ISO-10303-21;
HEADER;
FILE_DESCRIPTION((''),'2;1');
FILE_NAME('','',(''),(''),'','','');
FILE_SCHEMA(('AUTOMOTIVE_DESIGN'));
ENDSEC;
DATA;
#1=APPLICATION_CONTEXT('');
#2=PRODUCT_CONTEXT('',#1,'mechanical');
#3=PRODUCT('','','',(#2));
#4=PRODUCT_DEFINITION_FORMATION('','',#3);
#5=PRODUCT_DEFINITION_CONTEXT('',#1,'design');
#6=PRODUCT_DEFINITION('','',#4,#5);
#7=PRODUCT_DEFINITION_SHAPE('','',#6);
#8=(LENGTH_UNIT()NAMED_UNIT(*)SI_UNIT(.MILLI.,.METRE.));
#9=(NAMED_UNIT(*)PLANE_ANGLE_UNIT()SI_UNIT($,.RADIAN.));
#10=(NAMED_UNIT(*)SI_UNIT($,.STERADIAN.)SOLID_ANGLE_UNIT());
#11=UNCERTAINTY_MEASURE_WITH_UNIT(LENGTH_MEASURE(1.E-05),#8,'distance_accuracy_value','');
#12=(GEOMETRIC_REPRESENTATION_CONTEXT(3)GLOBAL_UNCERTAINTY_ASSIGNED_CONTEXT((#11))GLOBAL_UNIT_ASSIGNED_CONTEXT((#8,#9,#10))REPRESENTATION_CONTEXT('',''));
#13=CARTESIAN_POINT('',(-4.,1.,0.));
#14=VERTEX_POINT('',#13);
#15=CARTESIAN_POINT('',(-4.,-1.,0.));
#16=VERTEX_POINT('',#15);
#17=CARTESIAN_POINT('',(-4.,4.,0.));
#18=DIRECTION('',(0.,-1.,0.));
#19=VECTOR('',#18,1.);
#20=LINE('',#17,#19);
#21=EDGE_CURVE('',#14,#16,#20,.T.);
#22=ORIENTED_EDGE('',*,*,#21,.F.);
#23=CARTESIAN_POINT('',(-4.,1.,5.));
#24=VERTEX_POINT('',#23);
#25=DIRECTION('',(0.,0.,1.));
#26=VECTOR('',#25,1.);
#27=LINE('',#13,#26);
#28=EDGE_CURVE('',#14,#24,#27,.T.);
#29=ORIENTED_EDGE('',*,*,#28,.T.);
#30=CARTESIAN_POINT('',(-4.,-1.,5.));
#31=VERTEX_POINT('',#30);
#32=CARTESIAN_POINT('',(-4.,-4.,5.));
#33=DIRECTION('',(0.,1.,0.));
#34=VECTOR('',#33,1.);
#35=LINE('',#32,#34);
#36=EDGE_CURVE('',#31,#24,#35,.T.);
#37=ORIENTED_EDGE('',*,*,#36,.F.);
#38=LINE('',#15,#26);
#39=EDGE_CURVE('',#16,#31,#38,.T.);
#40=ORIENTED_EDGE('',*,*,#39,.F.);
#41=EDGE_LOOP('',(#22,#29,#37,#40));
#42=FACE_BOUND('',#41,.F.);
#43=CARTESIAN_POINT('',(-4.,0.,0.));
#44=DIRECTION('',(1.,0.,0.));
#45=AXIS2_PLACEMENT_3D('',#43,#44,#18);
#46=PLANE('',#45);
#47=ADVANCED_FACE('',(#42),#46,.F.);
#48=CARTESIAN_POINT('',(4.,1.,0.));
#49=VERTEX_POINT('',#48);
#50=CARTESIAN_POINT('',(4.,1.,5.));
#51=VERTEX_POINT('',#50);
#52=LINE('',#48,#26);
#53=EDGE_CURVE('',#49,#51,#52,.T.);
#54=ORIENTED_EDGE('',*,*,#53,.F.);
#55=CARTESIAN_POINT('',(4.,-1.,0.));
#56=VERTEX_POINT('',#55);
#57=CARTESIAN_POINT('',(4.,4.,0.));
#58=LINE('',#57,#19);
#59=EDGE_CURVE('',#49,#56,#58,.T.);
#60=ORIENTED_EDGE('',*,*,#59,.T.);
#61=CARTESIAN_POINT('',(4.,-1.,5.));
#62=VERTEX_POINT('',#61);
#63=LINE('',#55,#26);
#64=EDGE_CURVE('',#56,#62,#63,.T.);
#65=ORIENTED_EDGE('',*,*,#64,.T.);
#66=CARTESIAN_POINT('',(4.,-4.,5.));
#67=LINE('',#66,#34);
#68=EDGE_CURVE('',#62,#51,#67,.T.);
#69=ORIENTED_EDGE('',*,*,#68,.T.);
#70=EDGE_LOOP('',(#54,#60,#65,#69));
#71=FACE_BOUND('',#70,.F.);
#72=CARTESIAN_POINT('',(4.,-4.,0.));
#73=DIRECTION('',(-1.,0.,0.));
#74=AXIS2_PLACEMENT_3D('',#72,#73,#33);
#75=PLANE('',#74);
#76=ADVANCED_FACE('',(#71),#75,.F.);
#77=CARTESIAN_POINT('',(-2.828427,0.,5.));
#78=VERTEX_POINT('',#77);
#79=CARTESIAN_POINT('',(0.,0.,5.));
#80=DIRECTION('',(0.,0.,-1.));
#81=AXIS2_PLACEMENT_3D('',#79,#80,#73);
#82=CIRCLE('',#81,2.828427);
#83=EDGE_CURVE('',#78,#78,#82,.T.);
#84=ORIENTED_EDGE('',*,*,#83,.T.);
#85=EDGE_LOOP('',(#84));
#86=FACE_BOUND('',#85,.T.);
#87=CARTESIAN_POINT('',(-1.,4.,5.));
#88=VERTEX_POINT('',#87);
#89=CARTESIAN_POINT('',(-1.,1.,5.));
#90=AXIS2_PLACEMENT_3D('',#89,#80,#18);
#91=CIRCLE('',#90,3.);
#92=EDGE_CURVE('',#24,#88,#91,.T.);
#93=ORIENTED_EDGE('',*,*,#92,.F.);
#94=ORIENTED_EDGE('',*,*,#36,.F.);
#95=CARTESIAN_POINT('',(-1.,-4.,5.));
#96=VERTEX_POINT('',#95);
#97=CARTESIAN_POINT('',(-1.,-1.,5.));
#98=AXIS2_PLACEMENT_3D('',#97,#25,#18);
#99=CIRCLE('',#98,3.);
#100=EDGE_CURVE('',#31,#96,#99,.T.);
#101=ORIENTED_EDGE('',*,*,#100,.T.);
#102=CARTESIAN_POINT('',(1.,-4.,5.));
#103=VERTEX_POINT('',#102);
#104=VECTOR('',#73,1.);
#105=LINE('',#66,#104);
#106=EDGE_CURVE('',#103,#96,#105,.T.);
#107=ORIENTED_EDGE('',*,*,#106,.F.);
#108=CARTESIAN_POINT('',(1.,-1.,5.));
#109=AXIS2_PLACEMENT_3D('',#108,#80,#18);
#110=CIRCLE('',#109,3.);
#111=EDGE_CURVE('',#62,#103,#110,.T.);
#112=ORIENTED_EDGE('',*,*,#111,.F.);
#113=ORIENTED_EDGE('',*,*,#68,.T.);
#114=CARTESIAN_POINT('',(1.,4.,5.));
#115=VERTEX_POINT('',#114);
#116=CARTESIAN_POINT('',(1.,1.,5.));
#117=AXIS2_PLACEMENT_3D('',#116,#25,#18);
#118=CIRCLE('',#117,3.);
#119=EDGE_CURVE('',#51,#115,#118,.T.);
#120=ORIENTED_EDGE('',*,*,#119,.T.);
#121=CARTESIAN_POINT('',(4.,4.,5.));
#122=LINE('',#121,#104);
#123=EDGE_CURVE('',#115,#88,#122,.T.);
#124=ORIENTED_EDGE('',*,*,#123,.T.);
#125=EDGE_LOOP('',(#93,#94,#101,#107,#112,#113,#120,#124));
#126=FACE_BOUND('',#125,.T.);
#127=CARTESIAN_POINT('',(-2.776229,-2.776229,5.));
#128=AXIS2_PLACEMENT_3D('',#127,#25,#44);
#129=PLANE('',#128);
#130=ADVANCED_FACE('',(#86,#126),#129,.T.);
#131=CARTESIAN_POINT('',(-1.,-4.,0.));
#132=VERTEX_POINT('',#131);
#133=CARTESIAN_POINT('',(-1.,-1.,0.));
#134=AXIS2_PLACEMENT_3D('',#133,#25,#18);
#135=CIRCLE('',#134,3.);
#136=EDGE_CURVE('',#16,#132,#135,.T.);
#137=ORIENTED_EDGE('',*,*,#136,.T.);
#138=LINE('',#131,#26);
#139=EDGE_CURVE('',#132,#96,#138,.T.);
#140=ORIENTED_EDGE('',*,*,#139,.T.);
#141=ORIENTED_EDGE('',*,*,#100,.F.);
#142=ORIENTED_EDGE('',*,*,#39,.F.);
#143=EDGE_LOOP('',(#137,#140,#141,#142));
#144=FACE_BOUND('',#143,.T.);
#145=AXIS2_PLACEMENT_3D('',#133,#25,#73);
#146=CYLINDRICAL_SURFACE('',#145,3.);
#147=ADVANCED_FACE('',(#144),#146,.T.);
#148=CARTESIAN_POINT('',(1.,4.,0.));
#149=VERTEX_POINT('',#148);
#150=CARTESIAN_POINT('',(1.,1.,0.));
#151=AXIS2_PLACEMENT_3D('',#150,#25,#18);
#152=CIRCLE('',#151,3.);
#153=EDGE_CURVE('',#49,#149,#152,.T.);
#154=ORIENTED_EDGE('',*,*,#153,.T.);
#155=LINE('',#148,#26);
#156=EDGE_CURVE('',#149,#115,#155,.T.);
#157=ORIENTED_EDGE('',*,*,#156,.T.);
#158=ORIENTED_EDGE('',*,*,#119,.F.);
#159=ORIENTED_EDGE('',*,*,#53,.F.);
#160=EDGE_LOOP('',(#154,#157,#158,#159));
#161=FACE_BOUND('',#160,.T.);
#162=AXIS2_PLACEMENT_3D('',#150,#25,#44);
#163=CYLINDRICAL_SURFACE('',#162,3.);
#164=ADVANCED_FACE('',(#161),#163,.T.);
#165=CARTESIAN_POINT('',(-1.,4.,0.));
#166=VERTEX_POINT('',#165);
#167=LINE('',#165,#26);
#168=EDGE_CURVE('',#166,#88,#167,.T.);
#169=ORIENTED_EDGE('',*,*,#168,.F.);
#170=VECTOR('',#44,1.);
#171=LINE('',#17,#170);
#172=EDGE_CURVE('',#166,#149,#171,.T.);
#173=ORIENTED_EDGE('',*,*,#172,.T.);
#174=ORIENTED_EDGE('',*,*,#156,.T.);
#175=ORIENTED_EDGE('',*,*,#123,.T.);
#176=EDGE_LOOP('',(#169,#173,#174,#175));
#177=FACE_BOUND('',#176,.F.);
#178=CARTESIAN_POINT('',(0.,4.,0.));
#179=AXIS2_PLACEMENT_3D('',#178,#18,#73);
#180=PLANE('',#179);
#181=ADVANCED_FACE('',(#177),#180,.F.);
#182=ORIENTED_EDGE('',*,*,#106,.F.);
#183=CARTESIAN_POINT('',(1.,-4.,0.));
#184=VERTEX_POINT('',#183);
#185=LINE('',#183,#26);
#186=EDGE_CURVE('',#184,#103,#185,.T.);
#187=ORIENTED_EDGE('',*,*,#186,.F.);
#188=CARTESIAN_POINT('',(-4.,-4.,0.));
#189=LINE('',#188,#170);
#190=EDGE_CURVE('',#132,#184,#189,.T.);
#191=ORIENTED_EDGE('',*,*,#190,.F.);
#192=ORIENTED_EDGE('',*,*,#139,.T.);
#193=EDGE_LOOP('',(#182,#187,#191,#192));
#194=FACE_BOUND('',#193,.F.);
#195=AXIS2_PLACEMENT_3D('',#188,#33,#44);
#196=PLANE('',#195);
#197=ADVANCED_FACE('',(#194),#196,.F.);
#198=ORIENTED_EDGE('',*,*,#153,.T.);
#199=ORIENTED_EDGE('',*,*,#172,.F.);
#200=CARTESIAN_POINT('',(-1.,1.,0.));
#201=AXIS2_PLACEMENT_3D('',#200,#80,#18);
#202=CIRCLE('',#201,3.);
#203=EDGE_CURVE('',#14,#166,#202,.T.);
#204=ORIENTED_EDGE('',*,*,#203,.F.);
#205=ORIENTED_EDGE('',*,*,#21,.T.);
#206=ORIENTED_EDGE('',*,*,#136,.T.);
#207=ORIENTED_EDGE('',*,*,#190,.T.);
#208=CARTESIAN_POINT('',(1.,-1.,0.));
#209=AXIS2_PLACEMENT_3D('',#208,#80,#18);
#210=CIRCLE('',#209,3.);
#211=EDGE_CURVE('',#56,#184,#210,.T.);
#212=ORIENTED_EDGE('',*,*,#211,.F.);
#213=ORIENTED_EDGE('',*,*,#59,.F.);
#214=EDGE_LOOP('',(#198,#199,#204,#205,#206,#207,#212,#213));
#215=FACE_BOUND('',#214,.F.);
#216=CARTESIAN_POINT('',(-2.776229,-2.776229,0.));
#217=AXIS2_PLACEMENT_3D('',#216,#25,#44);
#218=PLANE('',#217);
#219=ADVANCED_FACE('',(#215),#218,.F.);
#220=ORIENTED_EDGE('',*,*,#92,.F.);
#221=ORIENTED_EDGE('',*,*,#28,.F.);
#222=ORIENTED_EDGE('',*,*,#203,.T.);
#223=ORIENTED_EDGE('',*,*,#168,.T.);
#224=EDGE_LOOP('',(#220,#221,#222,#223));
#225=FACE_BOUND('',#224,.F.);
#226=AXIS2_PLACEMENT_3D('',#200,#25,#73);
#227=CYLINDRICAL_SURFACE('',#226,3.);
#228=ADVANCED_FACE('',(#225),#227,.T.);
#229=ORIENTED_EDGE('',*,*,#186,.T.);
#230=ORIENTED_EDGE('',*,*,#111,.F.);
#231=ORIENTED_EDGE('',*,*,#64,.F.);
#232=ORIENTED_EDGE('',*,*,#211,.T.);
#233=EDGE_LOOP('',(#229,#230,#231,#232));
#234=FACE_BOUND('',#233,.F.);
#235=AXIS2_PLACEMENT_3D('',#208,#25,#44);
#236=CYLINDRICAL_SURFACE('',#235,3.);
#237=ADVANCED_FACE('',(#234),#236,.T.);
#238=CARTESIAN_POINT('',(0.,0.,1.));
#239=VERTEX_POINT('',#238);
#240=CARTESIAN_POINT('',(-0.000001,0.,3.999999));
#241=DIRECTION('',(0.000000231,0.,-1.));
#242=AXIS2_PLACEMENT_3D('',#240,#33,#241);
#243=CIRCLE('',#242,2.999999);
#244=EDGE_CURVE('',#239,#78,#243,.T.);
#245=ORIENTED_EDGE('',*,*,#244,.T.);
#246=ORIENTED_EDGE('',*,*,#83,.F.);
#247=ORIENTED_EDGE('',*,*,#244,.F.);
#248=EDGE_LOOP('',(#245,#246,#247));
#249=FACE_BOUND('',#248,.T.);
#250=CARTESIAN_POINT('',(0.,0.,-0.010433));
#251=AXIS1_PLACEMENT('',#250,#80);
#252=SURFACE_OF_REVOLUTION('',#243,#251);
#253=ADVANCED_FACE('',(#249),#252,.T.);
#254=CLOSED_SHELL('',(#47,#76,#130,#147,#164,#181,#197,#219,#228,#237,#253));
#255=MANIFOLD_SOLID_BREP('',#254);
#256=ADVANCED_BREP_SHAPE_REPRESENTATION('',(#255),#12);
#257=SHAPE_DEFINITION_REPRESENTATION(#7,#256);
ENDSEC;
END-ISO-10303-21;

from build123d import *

# Parameters (mm, degrees)
F4_DEPTH = 5
F5_R     = 3


with BuildPart() as f2:
    # F1 (on Front) → F2 (revolve)
    with BuildSketch(Plane.XZ):
        with BuildLine():
            ThreePointArc((0, 1), (-2.44949, 2.267949), (-2.828427, 5))
            Line((-2.828427, 5), (-4, 5))
            Line((-4, 5), (-4, 0))
            Line((-4, 0), (0, 0))
            Line((0, 0), (0, 1))
        make_face()
    revolve(axis=Axis((0, 0, -0.010433), (0, 0, -1)))

    # F3 (on Top) → F4 (join)
    with BuildSketch(Plane.XY):
        with BuildLine():
            ThreePointArc((0, -4), (-2.828427, -2.828427), (-4, 0))
            Line((-4, 0), (-4, -4))
            Line((-4, -4), (0, -4))
        make_face()
        with BuildLine():
            Line((4, -4), (4, 0))
            ThreePointArc((4, 0), (2.828427, -2.828427), (0, -4))
            Line((0, -4), (4, -4))
        make_face()
        with BuildLine():
            Line((4, 4), (0, 4))
            ThreePointArc((0, 4), (2.828427, 2.828427), (4, 0))
            Line((4, 0), (4, 4))
        make_face()
        with BuildLine():
            Line((0, 4), (-4, 4))
            Line((-4, 4), (-4, 0))
            ThreePointArc((-4, 0), (-2.828427, 2.828427), (0, 4))
        make_face()
    extrude(amount=F4_DEPTH)

    # F5
    f5_edges = [f2.edges().sort_by_distance(p)[0] for p in [
        (4, -4, 2.5),
        (4, 4, 2.5),
        (-4, -4, 2.5),
        (-4, 4, 2.5),
    ]]
    fillet(f5_edges, radius=F5_R)


solid = f2.part
